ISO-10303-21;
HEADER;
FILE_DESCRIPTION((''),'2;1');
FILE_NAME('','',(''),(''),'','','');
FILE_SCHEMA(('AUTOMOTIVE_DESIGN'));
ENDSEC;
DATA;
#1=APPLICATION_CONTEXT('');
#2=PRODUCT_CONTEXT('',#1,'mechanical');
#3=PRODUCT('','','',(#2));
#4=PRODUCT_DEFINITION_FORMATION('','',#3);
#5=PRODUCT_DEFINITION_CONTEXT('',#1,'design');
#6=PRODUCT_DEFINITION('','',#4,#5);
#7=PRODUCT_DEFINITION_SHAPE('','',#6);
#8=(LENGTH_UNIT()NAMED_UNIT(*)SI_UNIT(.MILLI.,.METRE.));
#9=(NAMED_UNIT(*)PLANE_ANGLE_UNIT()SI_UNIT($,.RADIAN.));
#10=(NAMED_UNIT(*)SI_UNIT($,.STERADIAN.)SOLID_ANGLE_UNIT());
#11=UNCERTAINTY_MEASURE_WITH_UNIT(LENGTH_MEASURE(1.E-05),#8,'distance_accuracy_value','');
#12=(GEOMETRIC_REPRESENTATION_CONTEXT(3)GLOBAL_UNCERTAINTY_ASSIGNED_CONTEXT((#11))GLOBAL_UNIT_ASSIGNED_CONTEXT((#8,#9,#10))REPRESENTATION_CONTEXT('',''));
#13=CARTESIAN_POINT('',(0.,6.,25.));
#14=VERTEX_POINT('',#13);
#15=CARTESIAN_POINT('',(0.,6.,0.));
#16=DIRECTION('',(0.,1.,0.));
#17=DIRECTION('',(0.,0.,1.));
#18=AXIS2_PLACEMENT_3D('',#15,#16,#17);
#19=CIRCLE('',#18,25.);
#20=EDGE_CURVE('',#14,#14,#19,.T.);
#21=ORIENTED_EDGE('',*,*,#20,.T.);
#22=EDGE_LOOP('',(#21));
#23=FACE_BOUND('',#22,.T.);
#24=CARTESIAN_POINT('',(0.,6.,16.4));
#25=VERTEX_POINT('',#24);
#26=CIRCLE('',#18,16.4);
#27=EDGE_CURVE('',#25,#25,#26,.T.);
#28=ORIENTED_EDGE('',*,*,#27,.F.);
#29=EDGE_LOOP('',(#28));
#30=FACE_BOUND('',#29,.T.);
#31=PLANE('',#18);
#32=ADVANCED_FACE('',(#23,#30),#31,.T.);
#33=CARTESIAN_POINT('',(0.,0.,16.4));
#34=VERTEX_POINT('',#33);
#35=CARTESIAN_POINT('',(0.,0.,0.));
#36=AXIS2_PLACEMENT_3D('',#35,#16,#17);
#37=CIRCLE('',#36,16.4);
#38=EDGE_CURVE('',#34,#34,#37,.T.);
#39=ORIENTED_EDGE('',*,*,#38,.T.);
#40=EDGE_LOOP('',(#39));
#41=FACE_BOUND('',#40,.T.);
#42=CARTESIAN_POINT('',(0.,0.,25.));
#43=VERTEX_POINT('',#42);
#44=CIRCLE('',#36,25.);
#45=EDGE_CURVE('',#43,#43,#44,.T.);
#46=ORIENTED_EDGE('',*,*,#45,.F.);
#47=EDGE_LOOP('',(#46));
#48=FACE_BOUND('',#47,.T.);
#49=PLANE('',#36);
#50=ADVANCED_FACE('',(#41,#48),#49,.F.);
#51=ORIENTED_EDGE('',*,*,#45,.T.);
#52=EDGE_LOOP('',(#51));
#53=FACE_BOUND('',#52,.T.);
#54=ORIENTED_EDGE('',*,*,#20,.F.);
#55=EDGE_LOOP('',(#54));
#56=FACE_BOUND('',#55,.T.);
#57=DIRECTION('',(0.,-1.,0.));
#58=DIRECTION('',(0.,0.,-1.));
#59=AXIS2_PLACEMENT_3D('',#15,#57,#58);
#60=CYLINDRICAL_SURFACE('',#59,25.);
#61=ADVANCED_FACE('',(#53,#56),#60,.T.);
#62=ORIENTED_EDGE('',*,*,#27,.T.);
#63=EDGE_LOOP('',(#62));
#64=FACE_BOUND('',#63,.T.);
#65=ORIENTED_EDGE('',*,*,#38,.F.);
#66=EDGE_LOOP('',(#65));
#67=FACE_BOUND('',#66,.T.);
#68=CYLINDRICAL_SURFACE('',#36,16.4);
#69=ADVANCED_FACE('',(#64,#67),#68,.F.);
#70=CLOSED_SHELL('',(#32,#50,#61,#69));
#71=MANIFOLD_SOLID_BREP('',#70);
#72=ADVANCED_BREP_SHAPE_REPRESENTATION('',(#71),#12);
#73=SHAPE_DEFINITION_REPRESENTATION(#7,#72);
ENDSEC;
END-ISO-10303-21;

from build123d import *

# Parameters (mm, degrees)
SKETCH1_R           = 25
BOSS_EXTRUDE1_DEPTH = 6
SKETCH2_R           = 16.4
CUT_EXTRUDE1_DEPTH  = 7


with BuildPart() as part:
    # Sketch1 → Boss-Extrude1 (new body)
    with BuildSketch(Plane(origin=(0, 0, 0), x_dir=(1, 0, 0), z_dir=(0, 1, 0))):
        Circle(SKETCH1_R)
    extrude(amount=BOSS_EXTRUDE1_DEPTH)

    # Sketch2 → Cut-Extrude1 (cut, through all)
    with BuildSketch(Plane(origin=(0, 6, 0), x_dir=(1, 0, 0), z_dir=(0, 1, 0))):
        Circle(SKETCH2_R)
    extrude(amount=-CUT_EXTRUDE1_DEPTH, mode=Mode.SUBTRACT)


solid = part.part
